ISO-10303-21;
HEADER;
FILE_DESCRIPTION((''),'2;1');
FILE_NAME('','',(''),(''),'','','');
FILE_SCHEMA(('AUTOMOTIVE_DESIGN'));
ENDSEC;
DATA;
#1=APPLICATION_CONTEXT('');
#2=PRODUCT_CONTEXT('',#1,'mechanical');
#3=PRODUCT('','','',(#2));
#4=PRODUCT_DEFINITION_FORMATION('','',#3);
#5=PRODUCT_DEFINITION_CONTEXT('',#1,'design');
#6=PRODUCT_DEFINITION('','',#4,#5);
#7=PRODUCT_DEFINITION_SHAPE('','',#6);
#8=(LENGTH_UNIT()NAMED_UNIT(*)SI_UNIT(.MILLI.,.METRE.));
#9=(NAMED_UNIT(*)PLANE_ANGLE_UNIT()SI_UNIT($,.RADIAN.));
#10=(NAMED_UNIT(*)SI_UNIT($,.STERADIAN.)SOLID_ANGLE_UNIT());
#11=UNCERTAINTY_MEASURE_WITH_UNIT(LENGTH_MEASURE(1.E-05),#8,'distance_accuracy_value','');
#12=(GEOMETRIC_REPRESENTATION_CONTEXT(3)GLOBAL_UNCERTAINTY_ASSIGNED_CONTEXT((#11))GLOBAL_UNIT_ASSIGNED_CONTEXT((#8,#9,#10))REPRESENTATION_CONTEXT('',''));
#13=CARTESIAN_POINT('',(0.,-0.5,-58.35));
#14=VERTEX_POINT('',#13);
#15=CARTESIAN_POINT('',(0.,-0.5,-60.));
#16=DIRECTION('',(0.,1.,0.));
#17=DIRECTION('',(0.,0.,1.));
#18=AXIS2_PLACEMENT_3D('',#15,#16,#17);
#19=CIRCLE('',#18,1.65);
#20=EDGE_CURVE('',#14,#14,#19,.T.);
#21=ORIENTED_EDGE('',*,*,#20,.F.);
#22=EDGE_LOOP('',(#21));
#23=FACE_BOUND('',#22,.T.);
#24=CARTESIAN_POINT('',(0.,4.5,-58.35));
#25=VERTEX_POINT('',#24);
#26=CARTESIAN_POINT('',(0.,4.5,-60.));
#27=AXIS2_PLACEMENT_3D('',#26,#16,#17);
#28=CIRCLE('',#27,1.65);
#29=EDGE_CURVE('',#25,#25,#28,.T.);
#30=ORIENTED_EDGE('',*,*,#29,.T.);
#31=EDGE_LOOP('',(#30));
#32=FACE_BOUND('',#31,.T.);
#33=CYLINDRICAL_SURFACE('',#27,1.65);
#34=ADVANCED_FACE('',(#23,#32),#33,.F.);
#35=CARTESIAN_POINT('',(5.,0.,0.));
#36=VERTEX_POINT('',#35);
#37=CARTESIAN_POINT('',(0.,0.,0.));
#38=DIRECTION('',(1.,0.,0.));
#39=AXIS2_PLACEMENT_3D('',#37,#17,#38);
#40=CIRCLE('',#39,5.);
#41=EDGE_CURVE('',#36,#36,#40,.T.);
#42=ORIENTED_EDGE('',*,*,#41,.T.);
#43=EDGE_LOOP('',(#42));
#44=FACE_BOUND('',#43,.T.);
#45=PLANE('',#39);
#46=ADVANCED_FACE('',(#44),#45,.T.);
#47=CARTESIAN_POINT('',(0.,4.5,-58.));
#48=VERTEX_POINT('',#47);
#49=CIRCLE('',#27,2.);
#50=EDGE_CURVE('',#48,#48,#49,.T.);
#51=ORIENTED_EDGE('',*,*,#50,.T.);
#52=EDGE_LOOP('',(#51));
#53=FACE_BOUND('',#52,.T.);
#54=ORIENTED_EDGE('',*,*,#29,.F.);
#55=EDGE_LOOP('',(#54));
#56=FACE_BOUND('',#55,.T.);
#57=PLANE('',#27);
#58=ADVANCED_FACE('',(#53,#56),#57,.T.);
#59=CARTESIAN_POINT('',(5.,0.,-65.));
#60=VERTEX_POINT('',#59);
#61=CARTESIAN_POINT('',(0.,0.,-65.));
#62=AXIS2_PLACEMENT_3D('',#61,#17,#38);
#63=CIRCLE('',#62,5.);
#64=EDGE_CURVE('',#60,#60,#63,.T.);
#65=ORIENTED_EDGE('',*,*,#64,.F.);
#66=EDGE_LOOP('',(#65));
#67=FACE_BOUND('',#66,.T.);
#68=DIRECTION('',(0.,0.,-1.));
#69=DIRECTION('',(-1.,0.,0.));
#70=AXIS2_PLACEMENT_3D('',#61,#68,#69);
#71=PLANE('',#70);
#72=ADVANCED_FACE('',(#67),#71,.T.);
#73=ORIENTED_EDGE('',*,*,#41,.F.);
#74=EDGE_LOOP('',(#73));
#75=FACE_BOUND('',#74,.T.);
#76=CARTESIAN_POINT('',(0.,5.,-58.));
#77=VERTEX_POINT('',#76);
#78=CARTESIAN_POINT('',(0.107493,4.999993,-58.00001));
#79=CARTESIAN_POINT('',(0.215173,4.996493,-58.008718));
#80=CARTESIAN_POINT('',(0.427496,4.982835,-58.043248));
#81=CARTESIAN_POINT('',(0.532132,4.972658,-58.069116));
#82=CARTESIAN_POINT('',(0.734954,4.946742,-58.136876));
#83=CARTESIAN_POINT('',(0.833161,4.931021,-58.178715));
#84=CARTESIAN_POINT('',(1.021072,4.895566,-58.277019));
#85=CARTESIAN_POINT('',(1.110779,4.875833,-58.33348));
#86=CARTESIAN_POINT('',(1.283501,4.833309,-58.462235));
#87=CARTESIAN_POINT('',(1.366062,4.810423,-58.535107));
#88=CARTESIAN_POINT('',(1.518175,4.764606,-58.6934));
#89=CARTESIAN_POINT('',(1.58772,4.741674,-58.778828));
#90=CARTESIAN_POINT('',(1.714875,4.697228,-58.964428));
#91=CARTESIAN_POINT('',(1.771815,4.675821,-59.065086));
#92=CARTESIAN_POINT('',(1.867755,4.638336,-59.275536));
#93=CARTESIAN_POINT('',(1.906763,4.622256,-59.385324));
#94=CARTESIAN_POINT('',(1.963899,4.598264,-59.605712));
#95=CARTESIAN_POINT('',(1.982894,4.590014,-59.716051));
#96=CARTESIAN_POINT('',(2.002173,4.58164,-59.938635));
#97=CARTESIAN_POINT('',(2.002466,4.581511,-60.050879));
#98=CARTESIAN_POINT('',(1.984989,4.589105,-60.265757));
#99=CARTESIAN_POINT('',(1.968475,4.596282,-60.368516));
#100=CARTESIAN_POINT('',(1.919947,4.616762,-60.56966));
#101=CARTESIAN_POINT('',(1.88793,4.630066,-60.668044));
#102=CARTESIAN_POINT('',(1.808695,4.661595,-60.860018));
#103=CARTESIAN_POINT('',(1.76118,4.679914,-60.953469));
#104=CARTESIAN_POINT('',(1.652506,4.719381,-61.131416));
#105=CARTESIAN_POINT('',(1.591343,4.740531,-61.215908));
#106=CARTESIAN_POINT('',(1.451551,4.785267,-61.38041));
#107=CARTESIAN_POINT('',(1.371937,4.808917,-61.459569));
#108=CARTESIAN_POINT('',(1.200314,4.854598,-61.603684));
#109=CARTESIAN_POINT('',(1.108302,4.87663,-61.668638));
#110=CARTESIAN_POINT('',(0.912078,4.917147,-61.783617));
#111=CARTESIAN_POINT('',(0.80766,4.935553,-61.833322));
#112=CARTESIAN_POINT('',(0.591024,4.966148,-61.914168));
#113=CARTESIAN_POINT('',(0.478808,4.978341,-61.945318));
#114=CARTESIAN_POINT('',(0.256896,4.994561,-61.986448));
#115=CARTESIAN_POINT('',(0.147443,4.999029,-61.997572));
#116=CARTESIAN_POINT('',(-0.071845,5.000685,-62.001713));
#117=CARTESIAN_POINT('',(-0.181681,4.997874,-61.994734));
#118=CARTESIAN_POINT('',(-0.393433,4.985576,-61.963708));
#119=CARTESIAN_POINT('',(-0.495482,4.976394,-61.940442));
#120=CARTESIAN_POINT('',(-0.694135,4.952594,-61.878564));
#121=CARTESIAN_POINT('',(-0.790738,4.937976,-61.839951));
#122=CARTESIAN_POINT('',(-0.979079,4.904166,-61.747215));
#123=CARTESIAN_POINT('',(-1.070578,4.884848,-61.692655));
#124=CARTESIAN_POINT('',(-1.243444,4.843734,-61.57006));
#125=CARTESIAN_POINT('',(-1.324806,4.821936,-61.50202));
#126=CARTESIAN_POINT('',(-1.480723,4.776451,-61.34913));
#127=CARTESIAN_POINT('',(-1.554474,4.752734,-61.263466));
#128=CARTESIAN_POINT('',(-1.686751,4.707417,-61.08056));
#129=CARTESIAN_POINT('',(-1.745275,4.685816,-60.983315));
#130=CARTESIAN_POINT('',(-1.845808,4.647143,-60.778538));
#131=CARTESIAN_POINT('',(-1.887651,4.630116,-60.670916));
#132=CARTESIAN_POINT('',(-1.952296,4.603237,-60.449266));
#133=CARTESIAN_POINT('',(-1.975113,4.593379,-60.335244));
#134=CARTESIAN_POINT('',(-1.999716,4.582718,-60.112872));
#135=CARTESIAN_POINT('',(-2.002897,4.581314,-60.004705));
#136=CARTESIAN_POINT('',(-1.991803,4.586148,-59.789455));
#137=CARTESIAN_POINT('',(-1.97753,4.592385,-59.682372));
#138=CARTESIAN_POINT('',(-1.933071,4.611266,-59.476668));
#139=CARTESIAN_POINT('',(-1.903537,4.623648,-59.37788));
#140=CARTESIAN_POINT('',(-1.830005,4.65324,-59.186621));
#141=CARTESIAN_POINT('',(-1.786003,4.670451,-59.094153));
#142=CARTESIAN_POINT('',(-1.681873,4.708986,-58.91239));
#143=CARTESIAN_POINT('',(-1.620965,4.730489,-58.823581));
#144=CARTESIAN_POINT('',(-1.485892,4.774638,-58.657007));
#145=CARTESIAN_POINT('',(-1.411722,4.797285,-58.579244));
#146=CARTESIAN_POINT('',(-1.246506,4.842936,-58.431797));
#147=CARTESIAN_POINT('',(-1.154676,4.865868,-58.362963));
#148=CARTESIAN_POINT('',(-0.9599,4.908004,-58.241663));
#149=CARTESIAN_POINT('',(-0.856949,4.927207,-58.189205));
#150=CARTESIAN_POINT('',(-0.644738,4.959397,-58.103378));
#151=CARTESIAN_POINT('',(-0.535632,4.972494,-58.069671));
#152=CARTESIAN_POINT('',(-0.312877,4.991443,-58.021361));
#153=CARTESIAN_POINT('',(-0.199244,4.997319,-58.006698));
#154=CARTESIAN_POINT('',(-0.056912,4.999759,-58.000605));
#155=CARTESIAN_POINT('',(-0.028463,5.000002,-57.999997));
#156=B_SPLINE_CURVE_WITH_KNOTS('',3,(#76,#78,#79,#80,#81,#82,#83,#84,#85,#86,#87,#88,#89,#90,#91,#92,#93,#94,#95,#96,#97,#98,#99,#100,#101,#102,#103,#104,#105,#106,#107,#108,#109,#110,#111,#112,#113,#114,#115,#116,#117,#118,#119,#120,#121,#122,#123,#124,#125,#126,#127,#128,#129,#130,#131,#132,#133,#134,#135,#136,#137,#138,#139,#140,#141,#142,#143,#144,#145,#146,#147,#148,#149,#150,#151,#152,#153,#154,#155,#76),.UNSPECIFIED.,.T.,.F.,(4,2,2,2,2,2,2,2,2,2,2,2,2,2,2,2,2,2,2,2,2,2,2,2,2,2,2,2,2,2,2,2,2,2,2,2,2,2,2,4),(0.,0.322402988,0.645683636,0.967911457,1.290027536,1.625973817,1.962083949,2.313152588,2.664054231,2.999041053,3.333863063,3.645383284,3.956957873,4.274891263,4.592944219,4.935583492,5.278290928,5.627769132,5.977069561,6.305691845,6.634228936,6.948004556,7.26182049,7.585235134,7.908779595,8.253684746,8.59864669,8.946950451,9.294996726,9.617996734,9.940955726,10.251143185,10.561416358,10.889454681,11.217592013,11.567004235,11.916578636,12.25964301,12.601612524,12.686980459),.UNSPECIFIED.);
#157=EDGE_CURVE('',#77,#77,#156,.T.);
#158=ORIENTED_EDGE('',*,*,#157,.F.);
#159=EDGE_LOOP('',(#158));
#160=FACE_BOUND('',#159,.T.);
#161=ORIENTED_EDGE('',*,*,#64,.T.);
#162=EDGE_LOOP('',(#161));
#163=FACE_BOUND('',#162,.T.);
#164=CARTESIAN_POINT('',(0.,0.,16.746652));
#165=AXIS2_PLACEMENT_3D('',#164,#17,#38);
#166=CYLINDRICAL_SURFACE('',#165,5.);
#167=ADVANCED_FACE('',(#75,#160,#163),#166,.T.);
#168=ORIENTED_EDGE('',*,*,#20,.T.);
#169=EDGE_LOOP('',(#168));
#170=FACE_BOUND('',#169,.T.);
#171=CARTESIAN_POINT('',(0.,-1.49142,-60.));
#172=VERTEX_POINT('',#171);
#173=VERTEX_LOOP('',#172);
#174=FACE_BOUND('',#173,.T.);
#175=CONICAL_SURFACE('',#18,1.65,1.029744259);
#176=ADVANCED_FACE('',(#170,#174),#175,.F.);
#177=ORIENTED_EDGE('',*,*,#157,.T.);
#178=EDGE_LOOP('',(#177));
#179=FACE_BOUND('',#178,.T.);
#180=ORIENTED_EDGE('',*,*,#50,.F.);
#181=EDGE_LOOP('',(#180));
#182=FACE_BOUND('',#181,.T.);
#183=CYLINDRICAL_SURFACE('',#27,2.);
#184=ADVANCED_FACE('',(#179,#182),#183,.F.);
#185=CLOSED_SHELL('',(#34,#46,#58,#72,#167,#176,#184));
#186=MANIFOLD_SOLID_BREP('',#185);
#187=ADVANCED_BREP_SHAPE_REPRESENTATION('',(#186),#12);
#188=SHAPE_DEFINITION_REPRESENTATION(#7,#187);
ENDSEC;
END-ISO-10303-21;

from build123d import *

# Parameters (mm, degrees)
SKETCH_1_W             = 5
SKETCH_1_H             = 65
SKETCH_2_R             = 2
CUT_EXTRUDE_1_DEPTH    = 0.5
HOLE_WIZARD_M4_2_D     = 3.3
HOLE_WIZARD_M4_2_DEPTH = 5
HOLE_WIZARD_M4_2_TIP   = 0.991420021


with BuildPart() as part:
    # 草圖1 → 旋轉1 (revolve)
    with BuildSketch(Plane(origin=(0, 0, 0), x_dir=(1, 0, 0), z_dir=(0, 1, 0))):
        with Locations((2.5, 32.5)):
            Rectangle(SKETCH_1_W, SKETCH_1_H)
    revolve(axis=Axis((0, 0, 16.74665181), (0, 0, -1)))

    # 草圖2 → 除料-伸長1 (cut)
    with BuildSketch(Plane(origin=(0, 5, 0), x_dir=(1, 0, 0), z_dir=(0, 1, 0))):
        with Locations((0, 60)):
            Circle(SKETCH_2_R)
    extrude(amount=-CUT_EXTRUDE_1_DEPTH, mode=Mode.SUBTRACT)

    # M4 螺紋孔2
    with Locations(Plane(origin=(0, 4.5, -60), x_dir=(0, 0, 1), z_dir=(0, 1, 0))):
        with Locations((0, 0)):
            Hole(HOLE_WIZARD_M4_2_D / 2, depth=HOLE_WIZARD_M4_2_DEPTH)
            with Locations((0, 0, -(HOLE_WIZARD_M4_2_DEPTH + HOLE_WIZARD_M4_2_TIP / 2))):  # 118° drill point
                Cone(0, HOLE_WIZARD_M4_2_D / 2, HOLE_WIZARD_M4_2_TIP, mode=Mode.SUBTRACT)


solid = part.part
